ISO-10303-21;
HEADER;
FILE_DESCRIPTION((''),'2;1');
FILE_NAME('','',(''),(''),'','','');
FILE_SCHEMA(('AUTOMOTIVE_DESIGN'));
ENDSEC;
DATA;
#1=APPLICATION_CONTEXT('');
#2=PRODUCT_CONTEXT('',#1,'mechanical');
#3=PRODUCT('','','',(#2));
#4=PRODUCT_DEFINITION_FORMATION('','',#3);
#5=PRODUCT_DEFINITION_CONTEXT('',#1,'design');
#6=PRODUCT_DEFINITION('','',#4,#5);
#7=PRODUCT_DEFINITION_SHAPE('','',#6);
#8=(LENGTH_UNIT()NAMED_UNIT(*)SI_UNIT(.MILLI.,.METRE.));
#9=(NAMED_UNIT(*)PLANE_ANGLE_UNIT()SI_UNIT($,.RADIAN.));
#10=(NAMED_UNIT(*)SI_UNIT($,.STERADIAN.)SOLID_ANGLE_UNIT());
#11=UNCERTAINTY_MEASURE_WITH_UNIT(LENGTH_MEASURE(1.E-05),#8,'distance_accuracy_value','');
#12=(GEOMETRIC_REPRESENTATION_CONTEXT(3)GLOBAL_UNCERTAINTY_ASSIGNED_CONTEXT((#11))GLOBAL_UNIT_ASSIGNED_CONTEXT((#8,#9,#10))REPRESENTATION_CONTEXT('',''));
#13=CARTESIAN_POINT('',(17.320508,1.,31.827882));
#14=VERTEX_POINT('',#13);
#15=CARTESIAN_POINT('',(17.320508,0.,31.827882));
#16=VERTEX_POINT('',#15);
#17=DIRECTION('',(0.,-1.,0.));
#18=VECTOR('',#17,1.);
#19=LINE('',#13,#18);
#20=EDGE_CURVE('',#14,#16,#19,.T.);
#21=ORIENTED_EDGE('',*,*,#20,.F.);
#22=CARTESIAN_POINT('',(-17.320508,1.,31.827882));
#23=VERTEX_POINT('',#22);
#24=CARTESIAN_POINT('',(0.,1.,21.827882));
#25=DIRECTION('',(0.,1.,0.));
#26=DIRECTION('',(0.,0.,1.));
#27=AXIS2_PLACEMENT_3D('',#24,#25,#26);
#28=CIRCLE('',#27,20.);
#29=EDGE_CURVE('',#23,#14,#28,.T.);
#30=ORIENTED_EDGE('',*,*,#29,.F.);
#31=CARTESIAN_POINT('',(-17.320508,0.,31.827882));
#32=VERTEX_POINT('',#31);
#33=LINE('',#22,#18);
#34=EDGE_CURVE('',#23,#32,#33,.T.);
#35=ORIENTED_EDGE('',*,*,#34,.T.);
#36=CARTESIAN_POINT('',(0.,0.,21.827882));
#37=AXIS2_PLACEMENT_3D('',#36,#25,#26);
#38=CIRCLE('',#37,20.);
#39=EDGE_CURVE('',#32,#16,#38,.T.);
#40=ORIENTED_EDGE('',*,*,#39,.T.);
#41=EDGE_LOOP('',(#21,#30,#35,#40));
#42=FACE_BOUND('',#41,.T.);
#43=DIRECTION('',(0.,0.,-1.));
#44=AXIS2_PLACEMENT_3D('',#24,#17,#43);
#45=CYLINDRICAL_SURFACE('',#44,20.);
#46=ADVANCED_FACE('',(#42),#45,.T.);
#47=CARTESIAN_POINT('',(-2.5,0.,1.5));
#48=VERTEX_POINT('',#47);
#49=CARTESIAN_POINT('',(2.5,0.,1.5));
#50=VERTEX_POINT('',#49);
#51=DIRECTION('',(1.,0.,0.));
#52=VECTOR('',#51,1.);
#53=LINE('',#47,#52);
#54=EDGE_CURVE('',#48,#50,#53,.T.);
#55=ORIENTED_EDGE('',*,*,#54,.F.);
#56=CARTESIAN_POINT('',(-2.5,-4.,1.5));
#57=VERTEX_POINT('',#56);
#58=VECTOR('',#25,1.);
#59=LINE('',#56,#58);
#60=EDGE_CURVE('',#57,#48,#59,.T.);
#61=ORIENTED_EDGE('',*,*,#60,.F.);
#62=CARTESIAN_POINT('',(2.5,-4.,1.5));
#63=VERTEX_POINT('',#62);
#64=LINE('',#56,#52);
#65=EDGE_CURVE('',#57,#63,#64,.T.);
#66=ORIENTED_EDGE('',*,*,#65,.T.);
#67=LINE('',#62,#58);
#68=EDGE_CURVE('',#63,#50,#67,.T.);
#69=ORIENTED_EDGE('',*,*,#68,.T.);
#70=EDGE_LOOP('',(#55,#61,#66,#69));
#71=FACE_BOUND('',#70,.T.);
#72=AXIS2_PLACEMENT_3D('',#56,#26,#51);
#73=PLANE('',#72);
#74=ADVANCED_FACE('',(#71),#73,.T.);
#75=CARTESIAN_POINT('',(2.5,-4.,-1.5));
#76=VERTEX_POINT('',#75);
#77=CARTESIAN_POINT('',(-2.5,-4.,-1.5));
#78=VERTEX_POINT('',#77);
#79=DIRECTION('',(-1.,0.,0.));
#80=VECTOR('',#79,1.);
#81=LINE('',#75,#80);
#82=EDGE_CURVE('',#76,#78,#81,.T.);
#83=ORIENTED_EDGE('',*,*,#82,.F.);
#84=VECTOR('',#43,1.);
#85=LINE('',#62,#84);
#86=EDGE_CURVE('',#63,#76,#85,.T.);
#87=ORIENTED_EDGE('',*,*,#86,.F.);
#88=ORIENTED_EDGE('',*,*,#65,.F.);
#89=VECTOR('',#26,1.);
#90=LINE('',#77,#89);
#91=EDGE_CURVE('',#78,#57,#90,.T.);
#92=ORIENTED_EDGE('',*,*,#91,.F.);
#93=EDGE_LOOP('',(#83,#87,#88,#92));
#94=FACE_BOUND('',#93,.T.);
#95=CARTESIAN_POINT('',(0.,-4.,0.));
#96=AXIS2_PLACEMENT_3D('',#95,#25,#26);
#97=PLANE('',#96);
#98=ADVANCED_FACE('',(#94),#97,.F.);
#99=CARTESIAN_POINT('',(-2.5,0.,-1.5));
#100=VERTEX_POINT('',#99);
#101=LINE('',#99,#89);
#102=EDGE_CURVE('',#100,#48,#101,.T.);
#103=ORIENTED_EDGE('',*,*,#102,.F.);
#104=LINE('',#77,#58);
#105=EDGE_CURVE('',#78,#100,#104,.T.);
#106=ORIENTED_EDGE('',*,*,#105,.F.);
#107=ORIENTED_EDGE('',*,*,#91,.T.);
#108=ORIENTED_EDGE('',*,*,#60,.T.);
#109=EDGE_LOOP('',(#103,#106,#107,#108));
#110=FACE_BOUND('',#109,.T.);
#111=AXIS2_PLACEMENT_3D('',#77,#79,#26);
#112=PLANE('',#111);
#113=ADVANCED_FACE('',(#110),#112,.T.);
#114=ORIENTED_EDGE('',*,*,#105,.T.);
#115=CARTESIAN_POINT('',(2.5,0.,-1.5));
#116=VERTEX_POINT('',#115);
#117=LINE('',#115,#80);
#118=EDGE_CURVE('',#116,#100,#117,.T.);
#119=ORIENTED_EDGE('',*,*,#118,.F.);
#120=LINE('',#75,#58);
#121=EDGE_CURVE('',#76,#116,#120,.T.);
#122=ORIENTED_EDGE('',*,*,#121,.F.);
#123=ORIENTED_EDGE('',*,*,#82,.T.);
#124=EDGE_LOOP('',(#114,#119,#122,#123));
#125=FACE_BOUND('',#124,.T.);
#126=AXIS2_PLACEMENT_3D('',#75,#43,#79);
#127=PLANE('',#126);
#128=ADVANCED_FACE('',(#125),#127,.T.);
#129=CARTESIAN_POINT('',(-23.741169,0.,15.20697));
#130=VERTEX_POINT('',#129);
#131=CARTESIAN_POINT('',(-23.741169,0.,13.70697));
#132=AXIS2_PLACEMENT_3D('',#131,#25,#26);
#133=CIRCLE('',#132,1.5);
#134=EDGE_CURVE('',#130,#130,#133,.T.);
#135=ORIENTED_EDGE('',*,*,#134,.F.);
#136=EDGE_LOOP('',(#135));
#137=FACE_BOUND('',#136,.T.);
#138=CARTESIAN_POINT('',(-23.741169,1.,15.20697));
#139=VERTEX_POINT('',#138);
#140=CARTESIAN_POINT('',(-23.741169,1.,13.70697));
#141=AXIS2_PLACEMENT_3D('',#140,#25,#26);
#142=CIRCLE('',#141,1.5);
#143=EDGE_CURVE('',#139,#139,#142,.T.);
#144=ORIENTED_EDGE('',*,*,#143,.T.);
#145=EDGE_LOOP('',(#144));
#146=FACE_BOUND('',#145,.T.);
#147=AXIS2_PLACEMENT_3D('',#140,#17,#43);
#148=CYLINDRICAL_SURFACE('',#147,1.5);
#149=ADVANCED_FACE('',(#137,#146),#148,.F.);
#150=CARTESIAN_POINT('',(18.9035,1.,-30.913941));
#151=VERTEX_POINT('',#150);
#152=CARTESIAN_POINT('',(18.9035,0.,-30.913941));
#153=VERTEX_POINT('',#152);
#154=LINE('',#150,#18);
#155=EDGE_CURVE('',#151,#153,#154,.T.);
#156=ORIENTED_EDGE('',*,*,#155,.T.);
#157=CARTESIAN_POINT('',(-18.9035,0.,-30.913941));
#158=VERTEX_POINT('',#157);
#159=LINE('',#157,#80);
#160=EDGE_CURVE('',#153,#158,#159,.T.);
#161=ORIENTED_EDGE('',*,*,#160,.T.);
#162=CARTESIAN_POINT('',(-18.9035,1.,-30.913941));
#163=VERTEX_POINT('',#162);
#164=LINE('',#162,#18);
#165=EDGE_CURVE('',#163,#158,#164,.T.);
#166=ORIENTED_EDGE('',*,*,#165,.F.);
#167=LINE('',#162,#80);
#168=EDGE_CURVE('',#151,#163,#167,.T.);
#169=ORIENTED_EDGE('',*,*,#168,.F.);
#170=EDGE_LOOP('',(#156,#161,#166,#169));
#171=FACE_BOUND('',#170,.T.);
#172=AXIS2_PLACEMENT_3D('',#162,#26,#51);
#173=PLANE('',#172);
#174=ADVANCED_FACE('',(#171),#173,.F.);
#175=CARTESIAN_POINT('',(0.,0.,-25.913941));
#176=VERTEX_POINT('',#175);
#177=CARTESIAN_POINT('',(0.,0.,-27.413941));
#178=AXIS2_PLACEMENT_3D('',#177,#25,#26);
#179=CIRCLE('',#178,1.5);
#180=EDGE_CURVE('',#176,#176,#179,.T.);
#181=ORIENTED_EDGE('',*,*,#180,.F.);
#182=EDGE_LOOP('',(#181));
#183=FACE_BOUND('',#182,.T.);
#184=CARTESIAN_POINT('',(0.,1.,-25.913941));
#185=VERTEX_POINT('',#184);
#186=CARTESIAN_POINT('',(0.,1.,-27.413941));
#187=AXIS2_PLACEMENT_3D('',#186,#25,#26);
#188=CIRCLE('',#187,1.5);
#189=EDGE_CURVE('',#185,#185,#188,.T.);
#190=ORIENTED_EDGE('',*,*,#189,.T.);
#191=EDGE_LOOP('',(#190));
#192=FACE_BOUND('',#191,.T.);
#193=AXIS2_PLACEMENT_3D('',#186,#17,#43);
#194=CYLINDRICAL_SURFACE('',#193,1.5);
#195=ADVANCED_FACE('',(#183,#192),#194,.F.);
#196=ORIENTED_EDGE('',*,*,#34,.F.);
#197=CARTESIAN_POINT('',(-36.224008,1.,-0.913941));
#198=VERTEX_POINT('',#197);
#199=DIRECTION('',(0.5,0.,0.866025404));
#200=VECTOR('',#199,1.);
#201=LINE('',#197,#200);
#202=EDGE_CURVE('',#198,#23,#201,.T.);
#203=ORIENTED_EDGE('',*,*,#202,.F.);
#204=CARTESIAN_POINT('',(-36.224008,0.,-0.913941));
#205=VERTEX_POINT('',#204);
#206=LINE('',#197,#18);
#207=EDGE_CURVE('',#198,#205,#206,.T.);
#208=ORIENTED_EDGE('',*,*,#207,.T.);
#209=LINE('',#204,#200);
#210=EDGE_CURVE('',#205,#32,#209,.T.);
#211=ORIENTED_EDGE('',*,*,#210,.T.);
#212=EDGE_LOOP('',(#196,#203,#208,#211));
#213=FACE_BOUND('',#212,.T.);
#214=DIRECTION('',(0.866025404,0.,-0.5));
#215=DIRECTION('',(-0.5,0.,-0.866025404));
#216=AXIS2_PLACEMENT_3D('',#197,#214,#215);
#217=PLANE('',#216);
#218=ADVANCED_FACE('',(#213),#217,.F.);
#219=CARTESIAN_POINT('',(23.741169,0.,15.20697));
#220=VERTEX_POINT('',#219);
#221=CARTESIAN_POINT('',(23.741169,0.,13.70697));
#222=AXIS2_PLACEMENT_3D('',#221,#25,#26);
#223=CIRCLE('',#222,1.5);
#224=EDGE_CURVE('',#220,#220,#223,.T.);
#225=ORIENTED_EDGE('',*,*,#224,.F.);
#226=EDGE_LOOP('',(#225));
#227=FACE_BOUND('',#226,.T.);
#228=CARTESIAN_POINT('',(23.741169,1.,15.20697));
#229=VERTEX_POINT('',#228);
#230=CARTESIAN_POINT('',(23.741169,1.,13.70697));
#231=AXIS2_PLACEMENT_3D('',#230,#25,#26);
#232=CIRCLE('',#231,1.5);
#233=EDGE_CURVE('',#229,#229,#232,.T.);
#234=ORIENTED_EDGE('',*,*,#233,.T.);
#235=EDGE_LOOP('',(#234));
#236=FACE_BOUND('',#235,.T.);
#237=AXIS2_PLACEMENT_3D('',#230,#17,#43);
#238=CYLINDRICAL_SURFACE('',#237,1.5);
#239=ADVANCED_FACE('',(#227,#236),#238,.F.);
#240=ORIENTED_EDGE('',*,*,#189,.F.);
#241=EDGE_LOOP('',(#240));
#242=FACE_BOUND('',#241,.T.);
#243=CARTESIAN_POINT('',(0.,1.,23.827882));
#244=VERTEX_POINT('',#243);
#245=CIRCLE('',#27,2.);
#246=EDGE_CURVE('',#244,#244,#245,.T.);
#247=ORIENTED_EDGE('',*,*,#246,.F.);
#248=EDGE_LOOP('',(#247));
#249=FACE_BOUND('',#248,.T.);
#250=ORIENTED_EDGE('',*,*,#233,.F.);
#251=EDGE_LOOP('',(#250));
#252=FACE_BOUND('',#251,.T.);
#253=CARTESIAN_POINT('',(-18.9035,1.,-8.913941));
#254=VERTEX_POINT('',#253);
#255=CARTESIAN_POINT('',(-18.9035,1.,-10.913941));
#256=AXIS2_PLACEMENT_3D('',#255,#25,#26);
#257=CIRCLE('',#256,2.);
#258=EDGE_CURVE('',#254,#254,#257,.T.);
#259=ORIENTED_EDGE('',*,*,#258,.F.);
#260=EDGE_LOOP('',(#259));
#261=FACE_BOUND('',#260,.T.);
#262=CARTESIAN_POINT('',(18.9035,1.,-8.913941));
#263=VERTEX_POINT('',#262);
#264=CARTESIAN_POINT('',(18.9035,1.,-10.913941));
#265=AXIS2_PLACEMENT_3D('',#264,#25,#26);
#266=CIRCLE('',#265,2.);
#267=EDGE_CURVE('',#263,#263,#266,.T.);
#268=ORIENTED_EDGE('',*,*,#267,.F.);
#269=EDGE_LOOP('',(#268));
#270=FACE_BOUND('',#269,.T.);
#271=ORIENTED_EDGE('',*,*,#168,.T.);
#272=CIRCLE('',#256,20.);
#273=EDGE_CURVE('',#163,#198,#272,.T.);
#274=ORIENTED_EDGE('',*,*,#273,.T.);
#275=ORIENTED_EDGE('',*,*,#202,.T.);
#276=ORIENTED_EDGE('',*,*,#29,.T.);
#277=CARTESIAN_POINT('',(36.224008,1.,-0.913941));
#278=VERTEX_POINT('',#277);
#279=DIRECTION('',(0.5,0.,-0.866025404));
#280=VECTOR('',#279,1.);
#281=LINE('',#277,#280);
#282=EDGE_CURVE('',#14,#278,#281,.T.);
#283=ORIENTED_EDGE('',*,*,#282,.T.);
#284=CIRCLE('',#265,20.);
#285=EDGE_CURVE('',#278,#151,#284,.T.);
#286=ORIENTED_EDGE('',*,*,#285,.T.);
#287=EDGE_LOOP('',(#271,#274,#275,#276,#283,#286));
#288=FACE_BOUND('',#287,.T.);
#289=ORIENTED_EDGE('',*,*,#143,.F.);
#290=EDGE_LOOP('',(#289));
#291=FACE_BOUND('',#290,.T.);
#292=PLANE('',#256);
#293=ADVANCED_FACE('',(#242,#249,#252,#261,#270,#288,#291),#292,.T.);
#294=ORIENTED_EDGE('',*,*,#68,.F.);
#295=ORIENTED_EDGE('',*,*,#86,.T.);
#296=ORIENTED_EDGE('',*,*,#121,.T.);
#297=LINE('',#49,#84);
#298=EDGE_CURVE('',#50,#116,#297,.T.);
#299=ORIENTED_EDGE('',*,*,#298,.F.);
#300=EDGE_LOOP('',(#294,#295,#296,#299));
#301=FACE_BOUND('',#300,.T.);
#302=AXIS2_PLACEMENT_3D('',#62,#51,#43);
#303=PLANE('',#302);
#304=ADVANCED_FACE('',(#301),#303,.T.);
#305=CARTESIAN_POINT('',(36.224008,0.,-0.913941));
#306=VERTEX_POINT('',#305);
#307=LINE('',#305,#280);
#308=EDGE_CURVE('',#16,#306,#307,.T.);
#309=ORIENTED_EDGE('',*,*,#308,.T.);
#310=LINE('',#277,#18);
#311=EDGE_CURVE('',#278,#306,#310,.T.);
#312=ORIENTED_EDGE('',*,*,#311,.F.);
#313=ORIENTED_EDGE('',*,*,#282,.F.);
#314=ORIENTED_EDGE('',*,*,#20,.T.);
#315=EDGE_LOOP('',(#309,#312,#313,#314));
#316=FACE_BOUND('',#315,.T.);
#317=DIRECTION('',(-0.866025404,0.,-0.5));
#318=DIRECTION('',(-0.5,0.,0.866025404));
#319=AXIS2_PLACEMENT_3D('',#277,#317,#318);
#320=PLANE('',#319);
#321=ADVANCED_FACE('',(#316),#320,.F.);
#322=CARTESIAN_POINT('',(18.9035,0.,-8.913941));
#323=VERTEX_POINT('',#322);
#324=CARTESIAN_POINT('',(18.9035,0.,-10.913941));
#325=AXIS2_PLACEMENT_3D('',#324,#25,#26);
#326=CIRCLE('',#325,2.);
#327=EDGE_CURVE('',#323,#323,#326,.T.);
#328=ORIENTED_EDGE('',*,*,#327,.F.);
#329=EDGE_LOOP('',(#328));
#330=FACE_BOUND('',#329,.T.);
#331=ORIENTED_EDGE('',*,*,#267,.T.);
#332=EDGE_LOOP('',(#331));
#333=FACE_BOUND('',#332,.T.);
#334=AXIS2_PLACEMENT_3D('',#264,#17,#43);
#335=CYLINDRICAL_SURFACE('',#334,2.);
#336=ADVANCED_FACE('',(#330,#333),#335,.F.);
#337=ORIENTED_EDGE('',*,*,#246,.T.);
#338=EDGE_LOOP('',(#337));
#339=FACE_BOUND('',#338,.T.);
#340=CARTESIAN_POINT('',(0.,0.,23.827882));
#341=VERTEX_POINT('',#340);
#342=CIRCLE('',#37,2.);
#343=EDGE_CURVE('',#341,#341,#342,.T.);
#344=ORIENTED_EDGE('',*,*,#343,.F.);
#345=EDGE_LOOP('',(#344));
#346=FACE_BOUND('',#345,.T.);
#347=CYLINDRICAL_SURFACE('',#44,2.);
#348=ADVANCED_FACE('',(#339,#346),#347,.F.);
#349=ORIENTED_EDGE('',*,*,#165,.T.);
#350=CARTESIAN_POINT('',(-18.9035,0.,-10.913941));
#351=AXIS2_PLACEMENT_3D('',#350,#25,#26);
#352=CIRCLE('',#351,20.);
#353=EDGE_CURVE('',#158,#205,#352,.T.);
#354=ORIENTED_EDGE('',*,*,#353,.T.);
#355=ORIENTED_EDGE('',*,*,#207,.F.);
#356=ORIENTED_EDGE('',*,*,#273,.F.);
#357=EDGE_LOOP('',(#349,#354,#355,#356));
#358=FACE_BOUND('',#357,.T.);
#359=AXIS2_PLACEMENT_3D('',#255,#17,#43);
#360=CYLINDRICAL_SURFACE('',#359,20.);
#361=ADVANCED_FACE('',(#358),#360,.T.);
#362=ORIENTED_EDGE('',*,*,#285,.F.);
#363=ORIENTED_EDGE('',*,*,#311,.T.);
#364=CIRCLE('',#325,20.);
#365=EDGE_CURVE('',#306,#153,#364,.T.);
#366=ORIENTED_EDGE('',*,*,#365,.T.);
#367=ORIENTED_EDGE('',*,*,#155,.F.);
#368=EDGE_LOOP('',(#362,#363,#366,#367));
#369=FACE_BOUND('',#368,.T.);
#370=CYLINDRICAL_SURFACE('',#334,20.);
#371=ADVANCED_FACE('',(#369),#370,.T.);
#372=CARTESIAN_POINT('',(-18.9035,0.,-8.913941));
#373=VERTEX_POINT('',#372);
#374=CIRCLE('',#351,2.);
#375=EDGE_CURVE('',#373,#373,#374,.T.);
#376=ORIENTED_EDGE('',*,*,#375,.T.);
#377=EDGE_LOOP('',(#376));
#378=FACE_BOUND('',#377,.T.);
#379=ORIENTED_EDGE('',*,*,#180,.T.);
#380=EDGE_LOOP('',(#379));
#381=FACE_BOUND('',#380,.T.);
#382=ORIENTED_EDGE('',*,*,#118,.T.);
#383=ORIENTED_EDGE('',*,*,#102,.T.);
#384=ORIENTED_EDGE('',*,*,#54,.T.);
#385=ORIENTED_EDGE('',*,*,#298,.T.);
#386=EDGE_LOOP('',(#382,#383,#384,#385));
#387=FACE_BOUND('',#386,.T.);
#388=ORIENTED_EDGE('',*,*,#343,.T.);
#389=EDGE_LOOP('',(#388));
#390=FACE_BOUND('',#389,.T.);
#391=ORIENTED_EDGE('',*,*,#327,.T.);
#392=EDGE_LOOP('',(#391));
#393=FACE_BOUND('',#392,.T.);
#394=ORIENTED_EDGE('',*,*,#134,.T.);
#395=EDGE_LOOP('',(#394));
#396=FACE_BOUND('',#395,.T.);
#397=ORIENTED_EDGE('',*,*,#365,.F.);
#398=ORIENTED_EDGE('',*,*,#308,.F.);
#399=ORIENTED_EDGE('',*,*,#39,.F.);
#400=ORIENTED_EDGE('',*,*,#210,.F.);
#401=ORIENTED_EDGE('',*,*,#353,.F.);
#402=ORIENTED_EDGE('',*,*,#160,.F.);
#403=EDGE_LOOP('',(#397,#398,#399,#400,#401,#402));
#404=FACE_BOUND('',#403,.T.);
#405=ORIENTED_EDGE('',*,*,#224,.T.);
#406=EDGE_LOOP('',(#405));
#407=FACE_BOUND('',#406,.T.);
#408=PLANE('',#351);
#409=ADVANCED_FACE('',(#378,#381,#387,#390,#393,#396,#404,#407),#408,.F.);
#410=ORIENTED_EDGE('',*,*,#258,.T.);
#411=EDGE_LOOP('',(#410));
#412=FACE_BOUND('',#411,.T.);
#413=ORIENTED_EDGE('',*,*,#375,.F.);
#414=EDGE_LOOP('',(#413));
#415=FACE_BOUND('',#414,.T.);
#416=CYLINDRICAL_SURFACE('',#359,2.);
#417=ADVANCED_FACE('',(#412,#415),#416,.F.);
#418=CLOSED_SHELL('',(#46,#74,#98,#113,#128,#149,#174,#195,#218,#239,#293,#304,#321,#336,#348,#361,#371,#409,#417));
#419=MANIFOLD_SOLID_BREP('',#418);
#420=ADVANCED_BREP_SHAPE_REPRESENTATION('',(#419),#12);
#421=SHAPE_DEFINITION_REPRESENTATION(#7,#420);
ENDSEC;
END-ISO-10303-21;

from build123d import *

# Parameters (mm, degrees)
SKETCH1_R           = 2
SKETCH1_R_2         = 1.5
BOSS_EXTRUDE1_DEPTH = 1
SKETCH2_W           = 5
SKETCH2_H           = 3
BOSS_EXTRUDE2_DEPTH = 4


with BuildPart() as part:
    # Sketch1 → Boss-Extrude1 (new body)
    with BuildSketch(Plane(origin=(0, 0, 0), x_dir=(1, 0, 0), z_dir=(0, 1, 0))):
        with BuildLine():
            Line((36.224008076, 0.913940814), (17.320508076, -31.827881627))
            ThreePointArc((17.320508076, -31.827881627), (0, -41.827881627), (-17.320508076, -31.827881627))
            Line((-17.320508076, -31.827881627), (-36.224008076, 0.913940814))
            ThreePointArc((-36.224008076, 0.913940814), (-36.224008076, 20.913940814), (-18.9035, 30.913940814))
            Line((-18.9035, 30.913940814), (18.9035, 30.913940814))
            ThreePointArc((18.9035, 30.913940814), (36.224008076, 20.913940814), (36.224008076, 0.913940814))
        make_face()
        with Locations((-18.9035, 10.913940814)):
            Circle(SKETCH1_R, mode=Mode.SUBTRACT)
        with Locations((18.9035, 10.913940814)):
            Circle(SKETCH1_R, mode=Mode.SUBTRACT)
        with Locations((0, -21.827881627)):
            Circle(SKETCH1_R, mode=Mode.SUBTRACT)
        with Locations((-23.741169162, -13.706970407)):
            Circle(SKETCH1_R_2, mode=Mode.SUBTRACT)
        with Locations((23.741169162, -13.706970407)):
            Circle(SKETCH1_R_2, mode=Mode.SUBTRACT)
        with Locations((0, 27.413940814)):
            Circle(SKETCH1_R_2, mode=Mode.SUBTRACT)
    extrude(amount=BOSS_EXTRUDE1_DEPTH)

    # Sketch2 → Boss-Extrude2 (add)
    with BuildSketch(Plane.XZ):
        Rectangle(SKETCH2_W, SKETCH2_H)
    extrude(amount=BOSS_EXTRUDE2_DEPTH)


solid = part.part
